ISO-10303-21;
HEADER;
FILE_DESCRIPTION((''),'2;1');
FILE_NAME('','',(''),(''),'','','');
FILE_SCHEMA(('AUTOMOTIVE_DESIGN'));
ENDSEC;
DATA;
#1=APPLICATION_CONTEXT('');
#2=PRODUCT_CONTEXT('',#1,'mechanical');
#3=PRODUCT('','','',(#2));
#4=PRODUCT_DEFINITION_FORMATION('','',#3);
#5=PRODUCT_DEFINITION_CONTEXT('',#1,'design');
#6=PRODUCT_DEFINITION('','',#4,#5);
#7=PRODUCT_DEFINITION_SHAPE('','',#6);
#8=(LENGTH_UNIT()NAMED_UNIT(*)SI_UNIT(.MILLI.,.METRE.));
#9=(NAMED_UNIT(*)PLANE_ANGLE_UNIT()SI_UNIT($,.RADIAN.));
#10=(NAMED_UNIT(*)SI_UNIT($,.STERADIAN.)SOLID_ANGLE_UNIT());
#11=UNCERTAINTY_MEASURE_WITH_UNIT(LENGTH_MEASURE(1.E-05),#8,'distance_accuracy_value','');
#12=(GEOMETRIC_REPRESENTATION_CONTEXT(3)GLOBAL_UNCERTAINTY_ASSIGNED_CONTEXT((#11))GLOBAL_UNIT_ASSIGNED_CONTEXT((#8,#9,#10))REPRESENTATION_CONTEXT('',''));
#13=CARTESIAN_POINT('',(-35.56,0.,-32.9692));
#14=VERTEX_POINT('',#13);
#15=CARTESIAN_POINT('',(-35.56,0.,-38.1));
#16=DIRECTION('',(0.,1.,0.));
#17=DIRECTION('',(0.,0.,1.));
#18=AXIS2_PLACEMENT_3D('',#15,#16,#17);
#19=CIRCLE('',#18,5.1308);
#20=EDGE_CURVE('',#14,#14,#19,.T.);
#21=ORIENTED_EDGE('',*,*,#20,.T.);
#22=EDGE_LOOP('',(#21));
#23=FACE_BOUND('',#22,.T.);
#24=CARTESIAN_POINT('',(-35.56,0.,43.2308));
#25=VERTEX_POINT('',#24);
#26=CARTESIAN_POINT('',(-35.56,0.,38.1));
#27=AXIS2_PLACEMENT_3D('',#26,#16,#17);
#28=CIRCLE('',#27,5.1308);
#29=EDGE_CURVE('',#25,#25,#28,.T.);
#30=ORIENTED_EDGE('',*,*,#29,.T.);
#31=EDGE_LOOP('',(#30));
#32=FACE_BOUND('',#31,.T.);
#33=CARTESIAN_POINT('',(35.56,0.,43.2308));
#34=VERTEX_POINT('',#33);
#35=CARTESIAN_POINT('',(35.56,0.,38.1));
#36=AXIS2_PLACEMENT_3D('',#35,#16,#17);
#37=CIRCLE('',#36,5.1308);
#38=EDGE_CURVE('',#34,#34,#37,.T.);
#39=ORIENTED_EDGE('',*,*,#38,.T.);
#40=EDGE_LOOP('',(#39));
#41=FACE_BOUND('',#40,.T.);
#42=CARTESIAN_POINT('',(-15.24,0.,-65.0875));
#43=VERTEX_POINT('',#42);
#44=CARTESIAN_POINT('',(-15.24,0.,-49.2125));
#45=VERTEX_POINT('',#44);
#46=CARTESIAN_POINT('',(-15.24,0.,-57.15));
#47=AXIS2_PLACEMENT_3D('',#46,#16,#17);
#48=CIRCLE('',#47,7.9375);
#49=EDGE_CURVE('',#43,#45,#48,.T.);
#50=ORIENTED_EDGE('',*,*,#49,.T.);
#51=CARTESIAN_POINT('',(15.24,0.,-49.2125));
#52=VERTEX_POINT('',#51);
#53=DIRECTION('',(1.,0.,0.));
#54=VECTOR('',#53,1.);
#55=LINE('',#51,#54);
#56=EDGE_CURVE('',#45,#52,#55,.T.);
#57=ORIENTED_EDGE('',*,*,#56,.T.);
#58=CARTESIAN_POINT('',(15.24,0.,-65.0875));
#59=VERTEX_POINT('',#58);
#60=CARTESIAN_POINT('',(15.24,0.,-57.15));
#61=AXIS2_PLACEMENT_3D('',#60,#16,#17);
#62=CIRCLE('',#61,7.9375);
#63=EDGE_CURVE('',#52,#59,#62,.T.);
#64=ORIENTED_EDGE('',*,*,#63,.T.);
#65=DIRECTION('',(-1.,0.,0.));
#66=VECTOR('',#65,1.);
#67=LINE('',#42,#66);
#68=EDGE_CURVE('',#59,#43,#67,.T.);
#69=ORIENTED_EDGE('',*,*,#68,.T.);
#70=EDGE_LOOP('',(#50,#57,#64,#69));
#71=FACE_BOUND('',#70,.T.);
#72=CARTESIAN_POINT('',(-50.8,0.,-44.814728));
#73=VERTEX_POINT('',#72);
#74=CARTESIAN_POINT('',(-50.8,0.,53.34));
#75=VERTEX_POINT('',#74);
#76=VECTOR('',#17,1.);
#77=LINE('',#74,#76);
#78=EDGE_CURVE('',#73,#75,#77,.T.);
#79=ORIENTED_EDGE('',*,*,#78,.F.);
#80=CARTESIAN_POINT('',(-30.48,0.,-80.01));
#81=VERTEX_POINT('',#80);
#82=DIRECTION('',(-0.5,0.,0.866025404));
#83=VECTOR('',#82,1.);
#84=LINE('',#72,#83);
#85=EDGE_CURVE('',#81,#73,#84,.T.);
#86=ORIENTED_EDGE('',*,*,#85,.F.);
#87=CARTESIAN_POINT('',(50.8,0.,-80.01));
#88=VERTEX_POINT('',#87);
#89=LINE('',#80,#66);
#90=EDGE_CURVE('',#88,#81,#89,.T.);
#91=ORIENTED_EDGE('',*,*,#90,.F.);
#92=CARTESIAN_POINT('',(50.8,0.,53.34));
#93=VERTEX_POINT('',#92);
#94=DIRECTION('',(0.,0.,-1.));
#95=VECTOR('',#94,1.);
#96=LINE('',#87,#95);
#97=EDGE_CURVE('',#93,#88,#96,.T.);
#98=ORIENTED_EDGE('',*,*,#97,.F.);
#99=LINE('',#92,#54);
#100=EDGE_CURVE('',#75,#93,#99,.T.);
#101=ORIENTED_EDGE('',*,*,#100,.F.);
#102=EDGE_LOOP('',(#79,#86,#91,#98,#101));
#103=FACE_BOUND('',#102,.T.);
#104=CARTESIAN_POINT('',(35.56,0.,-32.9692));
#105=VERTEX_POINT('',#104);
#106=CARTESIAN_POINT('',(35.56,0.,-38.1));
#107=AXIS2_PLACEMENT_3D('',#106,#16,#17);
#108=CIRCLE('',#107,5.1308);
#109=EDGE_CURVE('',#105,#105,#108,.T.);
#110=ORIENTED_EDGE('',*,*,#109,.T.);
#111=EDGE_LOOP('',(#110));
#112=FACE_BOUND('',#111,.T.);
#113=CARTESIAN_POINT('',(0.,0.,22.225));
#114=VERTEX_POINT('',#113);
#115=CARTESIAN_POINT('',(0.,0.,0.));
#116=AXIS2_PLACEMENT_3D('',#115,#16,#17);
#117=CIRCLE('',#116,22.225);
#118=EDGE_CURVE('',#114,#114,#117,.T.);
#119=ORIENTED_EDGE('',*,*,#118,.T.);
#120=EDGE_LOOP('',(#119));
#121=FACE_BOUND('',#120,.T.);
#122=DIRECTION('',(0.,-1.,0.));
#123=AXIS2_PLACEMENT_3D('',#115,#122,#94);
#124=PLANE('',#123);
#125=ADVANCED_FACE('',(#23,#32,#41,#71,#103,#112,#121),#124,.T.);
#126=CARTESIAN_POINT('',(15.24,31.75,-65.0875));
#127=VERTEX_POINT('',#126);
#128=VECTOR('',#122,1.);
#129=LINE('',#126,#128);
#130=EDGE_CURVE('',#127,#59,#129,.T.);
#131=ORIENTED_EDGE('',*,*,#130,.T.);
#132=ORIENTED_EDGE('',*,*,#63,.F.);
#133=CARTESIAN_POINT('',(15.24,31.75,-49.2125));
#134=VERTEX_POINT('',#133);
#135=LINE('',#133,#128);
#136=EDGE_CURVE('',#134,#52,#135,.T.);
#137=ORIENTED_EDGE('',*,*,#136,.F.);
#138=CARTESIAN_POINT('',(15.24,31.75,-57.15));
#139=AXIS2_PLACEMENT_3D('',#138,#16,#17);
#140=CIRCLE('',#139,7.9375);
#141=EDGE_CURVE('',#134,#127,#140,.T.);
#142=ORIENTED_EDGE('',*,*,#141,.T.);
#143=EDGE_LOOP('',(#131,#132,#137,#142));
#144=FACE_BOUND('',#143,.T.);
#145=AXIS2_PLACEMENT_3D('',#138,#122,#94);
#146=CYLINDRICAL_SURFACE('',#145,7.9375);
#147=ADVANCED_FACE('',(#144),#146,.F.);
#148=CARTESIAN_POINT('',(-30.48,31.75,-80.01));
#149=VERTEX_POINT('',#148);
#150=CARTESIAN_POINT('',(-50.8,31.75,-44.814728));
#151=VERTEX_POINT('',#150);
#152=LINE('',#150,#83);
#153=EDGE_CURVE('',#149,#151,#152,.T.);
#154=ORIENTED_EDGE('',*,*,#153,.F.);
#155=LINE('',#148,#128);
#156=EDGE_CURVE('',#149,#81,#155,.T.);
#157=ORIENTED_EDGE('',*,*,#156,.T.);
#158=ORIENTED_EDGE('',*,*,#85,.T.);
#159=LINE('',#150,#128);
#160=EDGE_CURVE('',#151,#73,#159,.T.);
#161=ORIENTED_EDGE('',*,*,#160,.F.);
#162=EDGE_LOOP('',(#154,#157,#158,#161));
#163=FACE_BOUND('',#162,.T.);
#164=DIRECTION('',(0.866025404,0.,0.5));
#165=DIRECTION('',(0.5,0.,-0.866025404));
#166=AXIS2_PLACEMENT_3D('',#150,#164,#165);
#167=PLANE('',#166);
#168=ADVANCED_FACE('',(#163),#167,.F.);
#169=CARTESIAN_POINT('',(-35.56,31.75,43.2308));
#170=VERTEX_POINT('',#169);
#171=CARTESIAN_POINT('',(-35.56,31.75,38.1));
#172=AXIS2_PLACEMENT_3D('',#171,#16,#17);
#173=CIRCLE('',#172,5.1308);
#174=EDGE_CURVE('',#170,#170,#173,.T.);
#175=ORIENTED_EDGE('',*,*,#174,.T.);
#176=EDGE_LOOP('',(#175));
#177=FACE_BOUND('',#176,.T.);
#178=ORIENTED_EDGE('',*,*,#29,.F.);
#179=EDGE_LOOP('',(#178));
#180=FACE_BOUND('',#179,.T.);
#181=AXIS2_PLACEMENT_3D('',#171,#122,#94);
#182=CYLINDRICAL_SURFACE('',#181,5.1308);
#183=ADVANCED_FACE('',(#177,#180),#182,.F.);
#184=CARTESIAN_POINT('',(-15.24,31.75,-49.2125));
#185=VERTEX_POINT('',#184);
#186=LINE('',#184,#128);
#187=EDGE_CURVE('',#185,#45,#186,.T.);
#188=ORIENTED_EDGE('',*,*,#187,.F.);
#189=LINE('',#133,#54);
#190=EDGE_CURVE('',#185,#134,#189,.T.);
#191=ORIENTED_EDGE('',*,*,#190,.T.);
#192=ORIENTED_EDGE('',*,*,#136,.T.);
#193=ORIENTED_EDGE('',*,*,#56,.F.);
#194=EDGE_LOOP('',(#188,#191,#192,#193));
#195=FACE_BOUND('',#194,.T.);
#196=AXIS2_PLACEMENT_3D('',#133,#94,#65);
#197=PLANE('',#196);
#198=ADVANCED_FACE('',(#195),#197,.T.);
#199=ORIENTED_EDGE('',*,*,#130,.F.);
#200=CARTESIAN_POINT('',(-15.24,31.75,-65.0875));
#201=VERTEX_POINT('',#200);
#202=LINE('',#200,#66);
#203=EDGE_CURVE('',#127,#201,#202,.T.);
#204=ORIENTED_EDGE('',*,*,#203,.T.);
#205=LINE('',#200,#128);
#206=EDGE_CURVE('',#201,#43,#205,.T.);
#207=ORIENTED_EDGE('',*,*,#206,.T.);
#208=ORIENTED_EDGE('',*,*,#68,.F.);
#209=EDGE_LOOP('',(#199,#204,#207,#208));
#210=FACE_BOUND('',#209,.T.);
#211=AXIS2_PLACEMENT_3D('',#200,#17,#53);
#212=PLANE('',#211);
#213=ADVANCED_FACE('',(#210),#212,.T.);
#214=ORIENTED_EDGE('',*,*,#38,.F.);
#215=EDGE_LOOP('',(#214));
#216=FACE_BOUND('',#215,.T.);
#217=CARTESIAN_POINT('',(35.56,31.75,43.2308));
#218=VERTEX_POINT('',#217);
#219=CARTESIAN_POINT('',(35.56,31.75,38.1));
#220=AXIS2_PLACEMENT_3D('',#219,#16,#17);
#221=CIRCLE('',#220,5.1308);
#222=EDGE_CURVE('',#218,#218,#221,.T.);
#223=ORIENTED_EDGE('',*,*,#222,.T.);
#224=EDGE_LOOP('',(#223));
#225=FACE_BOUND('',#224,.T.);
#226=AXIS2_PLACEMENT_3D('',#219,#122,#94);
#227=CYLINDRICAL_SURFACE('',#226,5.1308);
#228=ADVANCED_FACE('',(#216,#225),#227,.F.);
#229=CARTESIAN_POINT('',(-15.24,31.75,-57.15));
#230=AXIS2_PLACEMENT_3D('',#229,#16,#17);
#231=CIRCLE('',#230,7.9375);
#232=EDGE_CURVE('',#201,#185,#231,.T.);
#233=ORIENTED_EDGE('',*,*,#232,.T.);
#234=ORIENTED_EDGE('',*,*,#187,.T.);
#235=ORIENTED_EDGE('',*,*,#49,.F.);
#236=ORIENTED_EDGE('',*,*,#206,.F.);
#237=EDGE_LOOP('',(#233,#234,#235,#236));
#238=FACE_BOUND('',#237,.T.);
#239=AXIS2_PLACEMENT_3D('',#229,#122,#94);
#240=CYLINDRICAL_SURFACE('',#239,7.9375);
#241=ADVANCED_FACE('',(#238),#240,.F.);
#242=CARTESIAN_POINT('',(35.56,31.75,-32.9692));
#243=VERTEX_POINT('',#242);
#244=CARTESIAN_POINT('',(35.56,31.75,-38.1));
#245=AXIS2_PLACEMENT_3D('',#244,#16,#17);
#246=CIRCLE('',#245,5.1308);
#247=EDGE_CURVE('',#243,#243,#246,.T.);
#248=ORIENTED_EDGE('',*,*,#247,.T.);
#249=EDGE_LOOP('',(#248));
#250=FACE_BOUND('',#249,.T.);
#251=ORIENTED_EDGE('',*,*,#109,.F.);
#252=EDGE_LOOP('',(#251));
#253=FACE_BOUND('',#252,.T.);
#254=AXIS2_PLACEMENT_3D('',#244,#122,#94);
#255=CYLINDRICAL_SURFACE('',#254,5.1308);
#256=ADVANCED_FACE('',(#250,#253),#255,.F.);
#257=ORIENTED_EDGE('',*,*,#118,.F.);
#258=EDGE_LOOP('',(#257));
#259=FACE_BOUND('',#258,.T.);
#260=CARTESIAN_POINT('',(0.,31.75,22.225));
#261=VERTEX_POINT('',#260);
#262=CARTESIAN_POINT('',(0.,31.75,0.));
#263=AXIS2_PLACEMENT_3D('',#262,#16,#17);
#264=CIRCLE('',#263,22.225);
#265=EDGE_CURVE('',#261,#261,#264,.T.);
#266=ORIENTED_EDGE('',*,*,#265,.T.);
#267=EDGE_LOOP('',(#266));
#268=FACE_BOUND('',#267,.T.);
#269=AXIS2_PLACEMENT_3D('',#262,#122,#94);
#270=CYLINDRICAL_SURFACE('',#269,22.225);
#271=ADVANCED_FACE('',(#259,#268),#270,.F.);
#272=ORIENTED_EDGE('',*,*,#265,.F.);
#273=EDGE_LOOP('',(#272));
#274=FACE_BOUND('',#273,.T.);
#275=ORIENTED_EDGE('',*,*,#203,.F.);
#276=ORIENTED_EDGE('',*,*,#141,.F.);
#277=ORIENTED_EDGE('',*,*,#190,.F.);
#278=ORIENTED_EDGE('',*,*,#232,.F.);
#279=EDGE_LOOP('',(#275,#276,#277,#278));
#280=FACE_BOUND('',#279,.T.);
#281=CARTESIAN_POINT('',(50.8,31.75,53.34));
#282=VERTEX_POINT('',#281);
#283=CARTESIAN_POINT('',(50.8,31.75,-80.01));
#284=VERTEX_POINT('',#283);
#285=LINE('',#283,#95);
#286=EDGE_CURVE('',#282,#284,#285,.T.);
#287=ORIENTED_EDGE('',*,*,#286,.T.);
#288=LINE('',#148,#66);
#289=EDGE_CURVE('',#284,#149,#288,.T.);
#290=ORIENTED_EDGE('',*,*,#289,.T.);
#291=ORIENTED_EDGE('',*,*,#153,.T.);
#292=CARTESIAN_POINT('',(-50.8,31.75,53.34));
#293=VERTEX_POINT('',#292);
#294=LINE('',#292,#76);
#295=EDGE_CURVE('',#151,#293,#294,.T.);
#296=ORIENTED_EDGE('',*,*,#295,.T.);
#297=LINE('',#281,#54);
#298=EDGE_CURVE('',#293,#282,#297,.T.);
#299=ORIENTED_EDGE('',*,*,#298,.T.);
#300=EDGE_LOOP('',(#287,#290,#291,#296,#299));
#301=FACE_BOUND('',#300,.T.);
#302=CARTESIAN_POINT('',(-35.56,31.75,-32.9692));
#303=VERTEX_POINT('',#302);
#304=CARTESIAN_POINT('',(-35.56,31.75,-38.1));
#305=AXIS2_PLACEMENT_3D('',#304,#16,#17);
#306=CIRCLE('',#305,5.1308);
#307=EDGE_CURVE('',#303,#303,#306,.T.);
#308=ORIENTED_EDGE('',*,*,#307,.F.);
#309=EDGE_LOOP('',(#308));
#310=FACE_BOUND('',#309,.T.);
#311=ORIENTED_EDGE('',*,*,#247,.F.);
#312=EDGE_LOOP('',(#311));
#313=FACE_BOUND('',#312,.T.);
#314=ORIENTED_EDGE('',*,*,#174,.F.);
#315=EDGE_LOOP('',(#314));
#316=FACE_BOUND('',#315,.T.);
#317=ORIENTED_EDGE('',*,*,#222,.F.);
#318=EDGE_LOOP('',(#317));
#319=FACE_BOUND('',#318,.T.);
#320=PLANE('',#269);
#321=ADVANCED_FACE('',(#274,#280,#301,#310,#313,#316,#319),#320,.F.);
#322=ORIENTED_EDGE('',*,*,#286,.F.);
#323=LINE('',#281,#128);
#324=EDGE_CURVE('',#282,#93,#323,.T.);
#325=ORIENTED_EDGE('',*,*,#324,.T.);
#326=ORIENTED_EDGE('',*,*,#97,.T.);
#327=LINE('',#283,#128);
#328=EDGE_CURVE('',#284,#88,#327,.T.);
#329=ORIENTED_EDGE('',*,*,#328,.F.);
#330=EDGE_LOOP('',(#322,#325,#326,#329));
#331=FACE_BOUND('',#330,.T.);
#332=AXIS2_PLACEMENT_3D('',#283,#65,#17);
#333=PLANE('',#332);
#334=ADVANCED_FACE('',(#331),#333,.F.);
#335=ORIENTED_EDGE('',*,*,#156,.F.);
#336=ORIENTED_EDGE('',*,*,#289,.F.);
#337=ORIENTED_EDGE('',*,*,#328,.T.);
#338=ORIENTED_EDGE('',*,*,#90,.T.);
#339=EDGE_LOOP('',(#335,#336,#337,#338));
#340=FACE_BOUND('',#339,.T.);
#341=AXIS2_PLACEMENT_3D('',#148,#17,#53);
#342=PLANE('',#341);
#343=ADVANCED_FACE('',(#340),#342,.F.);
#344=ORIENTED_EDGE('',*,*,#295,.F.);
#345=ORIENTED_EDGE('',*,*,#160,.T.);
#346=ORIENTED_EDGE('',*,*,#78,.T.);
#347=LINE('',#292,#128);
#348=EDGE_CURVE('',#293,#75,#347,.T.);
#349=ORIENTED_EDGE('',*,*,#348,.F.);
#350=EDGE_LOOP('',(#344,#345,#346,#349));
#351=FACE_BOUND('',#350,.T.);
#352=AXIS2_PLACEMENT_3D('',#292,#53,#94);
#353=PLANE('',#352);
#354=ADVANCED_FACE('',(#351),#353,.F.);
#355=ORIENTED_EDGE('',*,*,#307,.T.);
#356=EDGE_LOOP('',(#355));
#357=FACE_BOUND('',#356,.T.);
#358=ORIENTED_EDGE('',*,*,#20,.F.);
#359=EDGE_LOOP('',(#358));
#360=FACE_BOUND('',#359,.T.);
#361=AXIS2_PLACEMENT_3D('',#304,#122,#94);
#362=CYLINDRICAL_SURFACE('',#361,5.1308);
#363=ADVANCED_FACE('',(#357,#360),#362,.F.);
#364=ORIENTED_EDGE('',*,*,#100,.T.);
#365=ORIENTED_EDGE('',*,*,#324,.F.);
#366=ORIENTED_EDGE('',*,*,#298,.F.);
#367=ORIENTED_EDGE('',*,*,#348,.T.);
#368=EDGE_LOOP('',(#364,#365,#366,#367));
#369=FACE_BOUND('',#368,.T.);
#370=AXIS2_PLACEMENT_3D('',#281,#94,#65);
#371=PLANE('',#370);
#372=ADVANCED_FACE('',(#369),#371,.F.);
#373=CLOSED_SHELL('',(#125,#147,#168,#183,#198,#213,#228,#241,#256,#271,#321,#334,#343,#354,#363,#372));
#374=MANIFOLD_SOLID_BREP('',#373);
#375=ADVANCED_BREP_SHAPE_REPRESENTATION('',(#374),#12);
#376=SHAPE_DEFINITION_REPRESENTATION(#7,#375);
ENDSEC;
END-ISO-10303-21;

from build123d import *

# Parameters (mm, degrees)
SKETCH1_R           = 22.225
SKETCH1_R_2         = 5.1308
BOSS_EXTRUDE1_DEPTH = 31.75


with BuildPart() as part:
    # Sketch1 → Boss-Extrude1 (new body)
    with BuildSketch(Plane(origin=(0, 0, 0), x_dir=(1, 0, 0), z_dir=(0, 1, 0))):
        Polygon((-30.48, 80.01), (50.8, 80.01), (50.8, -53.34), (-50.8, -53.34), (-50.8, 44.81472759), align=None)
        with Locations(Location((0, 0, 0), (0, 0, 270))):
            Circle(SKETCH1_R, mode=Mode.SUBTRACT)
        with Locations(Location((35.56, 38.1, 0), (0, 0, 270))):
            Circle(SKETCH1_R_2, mode=Mode.SUBTRACT)
        with Locations(Location((-35.56, 38.1, 0), (0, 0, 270))):
            Circle(SKETCH1_R_2, mode=Mode.SUBTRACT)
        with Locations(Location((-35.56, -38.1, 0), (0, 0, 270))):
            Circle(SKETCH1_R_2, mode=Mode.SUBTRACT)
        with Locations(Location((35.56, -38.1, 0), (0, 0, 270))):
            Circle(SKETCH1_R_2, mode=Mode.SUBTRACT)
        with BuildLine():
            Line((-15.24, 65.0875), (15.24, 65.0875))
            ThreePointArc((15.24, 65.0875), (23.1775, 57.15), (15.24, 49.2125))
            Line((15.24, 49.2125), (-15.24, 49.2125))
            ThreePointArc((-15.24, 49.2125), (-23.1775, 57.15), (-15.24, 65.0875))
        make_face(mode=Mode.SUBTRACT)
    extrude(amount=BOSS_EXTRUDE1_DEPTH)


solid = part.part
